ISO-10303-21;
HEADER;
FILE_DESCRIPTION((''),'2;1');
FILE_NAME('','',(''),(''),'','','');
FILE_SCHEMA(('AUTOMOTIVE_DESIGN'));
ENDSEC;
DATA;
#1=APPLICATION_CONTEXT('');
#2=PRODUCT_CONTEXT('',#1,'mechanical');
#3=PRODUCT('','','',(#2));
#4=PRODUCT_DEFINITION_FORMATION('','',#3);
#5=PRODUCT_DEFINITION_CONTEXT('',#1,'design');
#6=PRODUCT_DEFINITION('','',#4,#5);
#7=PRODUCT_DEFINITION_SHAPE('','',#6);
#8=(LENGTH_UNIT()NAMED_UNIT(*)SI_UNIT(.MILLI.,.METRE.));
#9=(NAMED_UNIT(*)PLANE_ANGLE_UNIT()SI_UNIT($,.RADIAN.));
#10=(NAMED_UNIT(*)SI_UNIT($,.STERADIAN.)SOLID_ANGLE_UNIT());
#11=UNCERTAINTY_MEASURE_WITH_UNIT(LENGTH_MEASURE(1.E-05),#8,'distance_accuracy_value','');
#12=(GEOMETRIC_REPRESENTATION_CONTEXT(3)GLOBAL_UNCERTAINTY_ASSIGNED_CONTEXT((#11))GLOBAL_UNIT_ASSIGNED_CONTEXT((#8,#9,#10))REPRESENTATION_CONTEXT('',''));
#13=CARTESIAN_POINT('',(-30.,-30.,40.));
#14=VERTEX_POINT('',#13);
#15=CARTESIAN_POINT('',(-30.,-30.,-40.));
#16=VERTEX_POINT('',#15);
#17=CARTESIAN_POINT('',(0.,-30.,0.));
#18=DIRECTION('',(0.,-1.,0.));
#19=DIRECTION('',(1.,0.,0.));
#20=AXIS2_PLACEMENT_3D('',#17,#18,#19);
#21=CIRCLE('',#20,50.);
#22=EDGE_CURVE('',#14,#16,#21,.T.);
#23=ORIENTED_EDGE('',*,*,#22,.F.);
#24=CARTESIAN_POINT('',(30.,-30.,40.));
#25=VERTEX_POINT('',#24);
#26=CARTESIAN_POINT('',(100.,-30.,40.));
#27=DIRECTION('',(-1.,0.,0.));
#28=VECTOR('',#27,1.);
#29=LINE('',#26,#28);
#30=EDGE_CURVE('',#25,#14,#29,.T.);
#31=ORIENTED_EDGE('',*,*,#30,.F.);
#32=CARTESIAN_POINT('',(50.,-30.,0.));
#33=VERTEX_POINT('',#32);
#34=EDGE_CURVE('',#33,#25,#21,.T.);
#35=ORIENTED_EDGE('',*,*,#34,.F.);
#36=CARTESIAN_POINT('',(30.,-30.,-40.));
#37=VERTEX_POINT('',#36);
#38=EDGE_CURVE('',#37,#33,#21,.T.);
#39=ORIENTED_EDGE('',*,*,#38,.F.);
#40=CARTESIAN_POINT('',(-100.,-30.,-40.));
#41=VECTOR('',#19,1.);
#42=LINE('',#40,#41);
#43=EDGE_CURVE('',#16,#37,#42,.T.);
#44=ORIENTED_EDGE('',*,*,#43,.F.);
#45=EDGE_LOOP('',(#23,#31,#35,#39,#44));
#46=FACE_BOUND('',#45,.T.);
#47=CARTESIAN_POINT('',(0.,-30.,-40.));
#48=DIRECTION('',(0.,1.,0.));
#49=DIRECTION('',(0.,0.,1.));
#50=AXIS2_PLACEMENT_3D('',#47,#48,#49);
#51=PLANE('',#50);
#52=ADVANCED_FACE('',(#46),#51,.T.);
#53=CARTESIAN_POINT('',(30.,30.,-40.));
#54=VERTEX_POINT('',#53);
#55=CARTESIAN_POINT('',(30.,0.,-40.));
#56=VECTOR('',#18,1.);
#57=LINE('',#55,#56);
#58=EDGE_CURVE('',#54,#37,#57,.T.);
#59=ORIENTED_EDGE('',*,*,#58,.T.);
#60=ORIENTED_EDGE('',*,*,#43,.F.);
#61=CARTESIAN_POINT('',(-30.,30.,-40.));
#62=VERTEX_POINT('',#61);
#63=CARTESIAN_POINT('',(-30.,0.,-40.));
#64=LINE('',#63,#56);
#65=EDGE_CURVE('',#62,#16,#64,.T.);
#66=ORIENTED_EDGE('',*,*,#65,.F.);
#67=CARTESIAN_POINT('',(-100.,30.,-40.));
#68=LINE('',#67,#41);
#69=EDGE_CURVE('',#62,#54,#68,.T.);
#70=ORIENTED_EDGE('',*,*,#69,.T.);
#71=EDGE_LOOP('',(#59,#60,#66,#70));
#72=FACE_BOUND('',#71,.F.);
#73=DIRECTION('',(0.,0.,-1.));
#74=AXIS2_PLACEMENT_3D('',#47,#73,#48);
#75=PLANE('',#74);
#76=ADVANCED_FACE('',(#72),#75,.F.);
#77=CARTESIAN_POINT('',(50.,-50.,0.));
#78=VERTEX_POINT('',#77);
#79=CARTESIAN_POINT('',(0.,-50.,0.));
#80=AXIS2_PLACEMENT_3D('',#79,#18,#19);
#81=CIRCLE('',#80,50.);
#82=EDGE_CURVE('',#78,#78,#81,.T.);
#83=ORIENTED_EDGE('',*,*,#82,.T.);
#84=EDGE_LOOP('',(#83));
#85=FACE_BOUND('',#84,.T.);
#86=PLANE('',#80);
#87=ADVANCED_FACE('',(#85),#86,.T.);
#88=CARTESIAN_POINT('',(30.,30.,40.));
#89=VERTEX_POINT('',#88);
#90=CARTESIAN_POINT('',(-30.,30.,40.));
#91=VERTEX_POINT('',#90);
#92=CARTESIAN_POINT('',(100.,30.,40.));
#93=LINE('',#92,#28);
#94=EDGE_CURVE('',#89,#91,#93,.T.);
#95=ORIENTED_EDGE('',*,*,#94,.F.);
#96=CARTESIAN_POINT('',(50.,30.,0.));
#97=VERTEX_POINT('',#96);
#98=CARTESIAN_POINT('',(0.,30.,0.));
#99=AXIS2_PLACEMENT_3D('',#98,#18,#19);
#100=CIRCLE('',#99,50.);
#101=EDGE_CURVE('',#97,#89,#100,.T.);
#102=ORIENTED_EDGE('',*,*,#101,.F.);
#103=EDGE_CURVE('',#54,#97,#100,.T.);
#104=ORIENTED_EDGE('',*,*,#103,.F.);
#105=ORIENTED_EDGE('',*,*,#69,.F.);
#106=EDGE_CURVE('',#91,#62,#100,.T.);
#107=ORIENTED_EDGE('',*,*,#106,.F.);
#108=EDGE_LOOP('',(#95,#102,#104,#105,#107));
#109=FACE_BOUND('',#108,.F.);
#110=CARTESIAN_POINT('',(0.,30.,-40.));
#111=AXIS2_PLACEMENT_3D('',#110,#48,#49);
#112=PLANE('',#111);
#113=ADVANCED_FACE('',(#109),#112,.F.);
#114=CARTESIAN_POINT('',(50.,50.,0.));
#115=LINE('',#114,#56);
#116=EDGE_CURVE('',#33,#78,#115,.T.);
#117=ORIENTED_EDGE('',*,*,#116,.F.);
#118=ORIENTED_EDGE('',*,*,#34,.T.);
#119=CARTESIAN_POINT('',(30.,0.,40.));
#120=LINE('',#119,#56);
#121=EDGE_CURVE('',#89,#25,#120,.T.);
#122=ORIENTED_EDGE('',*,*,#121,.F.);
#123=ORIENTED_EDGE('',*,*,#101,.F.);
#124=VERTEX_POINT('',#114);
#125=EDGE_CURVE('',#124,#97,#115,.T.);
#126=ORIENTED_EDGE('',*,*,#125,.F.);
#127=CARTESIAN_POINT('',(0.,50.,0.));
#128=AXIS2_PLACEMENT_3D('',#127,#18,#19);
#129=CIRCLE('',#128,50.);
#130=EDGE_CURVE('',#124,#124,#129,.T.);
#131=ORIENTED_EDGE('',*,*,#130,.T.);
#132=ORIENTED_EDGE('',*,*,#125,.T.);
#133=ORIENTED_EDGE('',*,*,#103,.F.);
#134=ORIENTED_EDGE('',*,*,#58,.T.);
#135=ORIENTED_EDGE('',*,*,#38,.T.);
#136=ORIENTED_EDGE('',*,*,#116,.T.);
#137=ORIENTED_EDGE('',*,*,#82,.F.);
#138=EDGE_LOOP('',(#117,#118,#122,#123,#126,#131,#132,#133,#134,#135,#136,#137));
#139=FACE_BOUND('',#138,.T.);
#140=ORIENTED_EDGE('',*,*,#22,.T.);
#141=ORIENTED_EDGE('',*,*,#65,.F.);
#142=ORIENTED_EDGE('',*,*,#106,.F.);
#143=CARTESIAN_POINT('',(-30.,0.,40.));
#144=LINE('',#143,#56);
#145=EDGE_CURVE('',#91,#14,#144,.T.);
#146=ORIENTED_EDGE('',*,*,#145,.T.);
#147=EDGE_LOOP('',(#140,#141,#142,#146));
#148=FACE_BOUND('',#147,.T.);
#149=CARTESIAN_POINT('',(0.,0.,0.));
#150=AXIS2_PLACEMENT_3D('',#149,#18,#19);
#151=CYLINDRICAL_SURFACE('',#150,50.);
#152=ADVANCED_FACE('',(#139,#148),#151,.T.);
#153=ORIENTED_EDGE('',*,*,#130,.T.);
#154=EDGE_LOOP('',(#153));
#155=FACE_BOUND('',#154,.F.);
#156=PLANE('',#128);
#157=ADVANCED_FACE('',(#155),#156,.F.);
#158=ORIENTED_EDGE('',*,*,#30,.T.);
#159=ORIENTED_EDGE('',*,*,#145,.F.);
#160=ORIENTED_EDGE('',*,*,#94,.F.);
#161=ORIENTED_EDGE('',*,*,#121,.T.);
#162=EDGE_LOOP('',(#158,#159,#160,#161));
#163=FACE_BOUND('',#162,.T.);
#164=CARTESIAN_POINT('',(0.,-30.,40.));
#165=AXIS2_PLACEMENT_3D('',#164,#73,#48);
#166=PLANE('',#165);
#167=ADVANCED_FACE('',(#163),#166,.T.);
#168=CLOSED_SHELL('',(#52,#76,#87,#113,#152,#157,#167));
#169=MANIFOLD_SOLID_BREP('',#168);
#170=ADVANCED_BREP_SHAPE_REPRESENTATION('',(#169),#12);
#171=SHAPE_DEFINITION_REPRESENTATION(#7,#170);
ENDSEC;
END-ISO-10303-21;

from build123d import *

# Parameters (mm, degrees)
F0_R     = 50
F1_DEPTH = 50
F2_W     = 60
F2_H     = 80
F3_DEPTH = 100


with BuildPart() as f1:
    # F0 (on Front) → F1 (new body, symmetric)
    with BuildSketch(Plane.XZ):
        Circle(F0_R)
    extrude(amount=F1_DEPTH, both=True)

    # F2 (on Right) → F3 (cut, symmetric)
    with BuildSketch(Plane.YZ):
        Rectangle(F2_W, F2_H)
    extrude(amount=F3_DEPTH, both=True, mode=Mode.SUBTRACT)


solid = f1.part
